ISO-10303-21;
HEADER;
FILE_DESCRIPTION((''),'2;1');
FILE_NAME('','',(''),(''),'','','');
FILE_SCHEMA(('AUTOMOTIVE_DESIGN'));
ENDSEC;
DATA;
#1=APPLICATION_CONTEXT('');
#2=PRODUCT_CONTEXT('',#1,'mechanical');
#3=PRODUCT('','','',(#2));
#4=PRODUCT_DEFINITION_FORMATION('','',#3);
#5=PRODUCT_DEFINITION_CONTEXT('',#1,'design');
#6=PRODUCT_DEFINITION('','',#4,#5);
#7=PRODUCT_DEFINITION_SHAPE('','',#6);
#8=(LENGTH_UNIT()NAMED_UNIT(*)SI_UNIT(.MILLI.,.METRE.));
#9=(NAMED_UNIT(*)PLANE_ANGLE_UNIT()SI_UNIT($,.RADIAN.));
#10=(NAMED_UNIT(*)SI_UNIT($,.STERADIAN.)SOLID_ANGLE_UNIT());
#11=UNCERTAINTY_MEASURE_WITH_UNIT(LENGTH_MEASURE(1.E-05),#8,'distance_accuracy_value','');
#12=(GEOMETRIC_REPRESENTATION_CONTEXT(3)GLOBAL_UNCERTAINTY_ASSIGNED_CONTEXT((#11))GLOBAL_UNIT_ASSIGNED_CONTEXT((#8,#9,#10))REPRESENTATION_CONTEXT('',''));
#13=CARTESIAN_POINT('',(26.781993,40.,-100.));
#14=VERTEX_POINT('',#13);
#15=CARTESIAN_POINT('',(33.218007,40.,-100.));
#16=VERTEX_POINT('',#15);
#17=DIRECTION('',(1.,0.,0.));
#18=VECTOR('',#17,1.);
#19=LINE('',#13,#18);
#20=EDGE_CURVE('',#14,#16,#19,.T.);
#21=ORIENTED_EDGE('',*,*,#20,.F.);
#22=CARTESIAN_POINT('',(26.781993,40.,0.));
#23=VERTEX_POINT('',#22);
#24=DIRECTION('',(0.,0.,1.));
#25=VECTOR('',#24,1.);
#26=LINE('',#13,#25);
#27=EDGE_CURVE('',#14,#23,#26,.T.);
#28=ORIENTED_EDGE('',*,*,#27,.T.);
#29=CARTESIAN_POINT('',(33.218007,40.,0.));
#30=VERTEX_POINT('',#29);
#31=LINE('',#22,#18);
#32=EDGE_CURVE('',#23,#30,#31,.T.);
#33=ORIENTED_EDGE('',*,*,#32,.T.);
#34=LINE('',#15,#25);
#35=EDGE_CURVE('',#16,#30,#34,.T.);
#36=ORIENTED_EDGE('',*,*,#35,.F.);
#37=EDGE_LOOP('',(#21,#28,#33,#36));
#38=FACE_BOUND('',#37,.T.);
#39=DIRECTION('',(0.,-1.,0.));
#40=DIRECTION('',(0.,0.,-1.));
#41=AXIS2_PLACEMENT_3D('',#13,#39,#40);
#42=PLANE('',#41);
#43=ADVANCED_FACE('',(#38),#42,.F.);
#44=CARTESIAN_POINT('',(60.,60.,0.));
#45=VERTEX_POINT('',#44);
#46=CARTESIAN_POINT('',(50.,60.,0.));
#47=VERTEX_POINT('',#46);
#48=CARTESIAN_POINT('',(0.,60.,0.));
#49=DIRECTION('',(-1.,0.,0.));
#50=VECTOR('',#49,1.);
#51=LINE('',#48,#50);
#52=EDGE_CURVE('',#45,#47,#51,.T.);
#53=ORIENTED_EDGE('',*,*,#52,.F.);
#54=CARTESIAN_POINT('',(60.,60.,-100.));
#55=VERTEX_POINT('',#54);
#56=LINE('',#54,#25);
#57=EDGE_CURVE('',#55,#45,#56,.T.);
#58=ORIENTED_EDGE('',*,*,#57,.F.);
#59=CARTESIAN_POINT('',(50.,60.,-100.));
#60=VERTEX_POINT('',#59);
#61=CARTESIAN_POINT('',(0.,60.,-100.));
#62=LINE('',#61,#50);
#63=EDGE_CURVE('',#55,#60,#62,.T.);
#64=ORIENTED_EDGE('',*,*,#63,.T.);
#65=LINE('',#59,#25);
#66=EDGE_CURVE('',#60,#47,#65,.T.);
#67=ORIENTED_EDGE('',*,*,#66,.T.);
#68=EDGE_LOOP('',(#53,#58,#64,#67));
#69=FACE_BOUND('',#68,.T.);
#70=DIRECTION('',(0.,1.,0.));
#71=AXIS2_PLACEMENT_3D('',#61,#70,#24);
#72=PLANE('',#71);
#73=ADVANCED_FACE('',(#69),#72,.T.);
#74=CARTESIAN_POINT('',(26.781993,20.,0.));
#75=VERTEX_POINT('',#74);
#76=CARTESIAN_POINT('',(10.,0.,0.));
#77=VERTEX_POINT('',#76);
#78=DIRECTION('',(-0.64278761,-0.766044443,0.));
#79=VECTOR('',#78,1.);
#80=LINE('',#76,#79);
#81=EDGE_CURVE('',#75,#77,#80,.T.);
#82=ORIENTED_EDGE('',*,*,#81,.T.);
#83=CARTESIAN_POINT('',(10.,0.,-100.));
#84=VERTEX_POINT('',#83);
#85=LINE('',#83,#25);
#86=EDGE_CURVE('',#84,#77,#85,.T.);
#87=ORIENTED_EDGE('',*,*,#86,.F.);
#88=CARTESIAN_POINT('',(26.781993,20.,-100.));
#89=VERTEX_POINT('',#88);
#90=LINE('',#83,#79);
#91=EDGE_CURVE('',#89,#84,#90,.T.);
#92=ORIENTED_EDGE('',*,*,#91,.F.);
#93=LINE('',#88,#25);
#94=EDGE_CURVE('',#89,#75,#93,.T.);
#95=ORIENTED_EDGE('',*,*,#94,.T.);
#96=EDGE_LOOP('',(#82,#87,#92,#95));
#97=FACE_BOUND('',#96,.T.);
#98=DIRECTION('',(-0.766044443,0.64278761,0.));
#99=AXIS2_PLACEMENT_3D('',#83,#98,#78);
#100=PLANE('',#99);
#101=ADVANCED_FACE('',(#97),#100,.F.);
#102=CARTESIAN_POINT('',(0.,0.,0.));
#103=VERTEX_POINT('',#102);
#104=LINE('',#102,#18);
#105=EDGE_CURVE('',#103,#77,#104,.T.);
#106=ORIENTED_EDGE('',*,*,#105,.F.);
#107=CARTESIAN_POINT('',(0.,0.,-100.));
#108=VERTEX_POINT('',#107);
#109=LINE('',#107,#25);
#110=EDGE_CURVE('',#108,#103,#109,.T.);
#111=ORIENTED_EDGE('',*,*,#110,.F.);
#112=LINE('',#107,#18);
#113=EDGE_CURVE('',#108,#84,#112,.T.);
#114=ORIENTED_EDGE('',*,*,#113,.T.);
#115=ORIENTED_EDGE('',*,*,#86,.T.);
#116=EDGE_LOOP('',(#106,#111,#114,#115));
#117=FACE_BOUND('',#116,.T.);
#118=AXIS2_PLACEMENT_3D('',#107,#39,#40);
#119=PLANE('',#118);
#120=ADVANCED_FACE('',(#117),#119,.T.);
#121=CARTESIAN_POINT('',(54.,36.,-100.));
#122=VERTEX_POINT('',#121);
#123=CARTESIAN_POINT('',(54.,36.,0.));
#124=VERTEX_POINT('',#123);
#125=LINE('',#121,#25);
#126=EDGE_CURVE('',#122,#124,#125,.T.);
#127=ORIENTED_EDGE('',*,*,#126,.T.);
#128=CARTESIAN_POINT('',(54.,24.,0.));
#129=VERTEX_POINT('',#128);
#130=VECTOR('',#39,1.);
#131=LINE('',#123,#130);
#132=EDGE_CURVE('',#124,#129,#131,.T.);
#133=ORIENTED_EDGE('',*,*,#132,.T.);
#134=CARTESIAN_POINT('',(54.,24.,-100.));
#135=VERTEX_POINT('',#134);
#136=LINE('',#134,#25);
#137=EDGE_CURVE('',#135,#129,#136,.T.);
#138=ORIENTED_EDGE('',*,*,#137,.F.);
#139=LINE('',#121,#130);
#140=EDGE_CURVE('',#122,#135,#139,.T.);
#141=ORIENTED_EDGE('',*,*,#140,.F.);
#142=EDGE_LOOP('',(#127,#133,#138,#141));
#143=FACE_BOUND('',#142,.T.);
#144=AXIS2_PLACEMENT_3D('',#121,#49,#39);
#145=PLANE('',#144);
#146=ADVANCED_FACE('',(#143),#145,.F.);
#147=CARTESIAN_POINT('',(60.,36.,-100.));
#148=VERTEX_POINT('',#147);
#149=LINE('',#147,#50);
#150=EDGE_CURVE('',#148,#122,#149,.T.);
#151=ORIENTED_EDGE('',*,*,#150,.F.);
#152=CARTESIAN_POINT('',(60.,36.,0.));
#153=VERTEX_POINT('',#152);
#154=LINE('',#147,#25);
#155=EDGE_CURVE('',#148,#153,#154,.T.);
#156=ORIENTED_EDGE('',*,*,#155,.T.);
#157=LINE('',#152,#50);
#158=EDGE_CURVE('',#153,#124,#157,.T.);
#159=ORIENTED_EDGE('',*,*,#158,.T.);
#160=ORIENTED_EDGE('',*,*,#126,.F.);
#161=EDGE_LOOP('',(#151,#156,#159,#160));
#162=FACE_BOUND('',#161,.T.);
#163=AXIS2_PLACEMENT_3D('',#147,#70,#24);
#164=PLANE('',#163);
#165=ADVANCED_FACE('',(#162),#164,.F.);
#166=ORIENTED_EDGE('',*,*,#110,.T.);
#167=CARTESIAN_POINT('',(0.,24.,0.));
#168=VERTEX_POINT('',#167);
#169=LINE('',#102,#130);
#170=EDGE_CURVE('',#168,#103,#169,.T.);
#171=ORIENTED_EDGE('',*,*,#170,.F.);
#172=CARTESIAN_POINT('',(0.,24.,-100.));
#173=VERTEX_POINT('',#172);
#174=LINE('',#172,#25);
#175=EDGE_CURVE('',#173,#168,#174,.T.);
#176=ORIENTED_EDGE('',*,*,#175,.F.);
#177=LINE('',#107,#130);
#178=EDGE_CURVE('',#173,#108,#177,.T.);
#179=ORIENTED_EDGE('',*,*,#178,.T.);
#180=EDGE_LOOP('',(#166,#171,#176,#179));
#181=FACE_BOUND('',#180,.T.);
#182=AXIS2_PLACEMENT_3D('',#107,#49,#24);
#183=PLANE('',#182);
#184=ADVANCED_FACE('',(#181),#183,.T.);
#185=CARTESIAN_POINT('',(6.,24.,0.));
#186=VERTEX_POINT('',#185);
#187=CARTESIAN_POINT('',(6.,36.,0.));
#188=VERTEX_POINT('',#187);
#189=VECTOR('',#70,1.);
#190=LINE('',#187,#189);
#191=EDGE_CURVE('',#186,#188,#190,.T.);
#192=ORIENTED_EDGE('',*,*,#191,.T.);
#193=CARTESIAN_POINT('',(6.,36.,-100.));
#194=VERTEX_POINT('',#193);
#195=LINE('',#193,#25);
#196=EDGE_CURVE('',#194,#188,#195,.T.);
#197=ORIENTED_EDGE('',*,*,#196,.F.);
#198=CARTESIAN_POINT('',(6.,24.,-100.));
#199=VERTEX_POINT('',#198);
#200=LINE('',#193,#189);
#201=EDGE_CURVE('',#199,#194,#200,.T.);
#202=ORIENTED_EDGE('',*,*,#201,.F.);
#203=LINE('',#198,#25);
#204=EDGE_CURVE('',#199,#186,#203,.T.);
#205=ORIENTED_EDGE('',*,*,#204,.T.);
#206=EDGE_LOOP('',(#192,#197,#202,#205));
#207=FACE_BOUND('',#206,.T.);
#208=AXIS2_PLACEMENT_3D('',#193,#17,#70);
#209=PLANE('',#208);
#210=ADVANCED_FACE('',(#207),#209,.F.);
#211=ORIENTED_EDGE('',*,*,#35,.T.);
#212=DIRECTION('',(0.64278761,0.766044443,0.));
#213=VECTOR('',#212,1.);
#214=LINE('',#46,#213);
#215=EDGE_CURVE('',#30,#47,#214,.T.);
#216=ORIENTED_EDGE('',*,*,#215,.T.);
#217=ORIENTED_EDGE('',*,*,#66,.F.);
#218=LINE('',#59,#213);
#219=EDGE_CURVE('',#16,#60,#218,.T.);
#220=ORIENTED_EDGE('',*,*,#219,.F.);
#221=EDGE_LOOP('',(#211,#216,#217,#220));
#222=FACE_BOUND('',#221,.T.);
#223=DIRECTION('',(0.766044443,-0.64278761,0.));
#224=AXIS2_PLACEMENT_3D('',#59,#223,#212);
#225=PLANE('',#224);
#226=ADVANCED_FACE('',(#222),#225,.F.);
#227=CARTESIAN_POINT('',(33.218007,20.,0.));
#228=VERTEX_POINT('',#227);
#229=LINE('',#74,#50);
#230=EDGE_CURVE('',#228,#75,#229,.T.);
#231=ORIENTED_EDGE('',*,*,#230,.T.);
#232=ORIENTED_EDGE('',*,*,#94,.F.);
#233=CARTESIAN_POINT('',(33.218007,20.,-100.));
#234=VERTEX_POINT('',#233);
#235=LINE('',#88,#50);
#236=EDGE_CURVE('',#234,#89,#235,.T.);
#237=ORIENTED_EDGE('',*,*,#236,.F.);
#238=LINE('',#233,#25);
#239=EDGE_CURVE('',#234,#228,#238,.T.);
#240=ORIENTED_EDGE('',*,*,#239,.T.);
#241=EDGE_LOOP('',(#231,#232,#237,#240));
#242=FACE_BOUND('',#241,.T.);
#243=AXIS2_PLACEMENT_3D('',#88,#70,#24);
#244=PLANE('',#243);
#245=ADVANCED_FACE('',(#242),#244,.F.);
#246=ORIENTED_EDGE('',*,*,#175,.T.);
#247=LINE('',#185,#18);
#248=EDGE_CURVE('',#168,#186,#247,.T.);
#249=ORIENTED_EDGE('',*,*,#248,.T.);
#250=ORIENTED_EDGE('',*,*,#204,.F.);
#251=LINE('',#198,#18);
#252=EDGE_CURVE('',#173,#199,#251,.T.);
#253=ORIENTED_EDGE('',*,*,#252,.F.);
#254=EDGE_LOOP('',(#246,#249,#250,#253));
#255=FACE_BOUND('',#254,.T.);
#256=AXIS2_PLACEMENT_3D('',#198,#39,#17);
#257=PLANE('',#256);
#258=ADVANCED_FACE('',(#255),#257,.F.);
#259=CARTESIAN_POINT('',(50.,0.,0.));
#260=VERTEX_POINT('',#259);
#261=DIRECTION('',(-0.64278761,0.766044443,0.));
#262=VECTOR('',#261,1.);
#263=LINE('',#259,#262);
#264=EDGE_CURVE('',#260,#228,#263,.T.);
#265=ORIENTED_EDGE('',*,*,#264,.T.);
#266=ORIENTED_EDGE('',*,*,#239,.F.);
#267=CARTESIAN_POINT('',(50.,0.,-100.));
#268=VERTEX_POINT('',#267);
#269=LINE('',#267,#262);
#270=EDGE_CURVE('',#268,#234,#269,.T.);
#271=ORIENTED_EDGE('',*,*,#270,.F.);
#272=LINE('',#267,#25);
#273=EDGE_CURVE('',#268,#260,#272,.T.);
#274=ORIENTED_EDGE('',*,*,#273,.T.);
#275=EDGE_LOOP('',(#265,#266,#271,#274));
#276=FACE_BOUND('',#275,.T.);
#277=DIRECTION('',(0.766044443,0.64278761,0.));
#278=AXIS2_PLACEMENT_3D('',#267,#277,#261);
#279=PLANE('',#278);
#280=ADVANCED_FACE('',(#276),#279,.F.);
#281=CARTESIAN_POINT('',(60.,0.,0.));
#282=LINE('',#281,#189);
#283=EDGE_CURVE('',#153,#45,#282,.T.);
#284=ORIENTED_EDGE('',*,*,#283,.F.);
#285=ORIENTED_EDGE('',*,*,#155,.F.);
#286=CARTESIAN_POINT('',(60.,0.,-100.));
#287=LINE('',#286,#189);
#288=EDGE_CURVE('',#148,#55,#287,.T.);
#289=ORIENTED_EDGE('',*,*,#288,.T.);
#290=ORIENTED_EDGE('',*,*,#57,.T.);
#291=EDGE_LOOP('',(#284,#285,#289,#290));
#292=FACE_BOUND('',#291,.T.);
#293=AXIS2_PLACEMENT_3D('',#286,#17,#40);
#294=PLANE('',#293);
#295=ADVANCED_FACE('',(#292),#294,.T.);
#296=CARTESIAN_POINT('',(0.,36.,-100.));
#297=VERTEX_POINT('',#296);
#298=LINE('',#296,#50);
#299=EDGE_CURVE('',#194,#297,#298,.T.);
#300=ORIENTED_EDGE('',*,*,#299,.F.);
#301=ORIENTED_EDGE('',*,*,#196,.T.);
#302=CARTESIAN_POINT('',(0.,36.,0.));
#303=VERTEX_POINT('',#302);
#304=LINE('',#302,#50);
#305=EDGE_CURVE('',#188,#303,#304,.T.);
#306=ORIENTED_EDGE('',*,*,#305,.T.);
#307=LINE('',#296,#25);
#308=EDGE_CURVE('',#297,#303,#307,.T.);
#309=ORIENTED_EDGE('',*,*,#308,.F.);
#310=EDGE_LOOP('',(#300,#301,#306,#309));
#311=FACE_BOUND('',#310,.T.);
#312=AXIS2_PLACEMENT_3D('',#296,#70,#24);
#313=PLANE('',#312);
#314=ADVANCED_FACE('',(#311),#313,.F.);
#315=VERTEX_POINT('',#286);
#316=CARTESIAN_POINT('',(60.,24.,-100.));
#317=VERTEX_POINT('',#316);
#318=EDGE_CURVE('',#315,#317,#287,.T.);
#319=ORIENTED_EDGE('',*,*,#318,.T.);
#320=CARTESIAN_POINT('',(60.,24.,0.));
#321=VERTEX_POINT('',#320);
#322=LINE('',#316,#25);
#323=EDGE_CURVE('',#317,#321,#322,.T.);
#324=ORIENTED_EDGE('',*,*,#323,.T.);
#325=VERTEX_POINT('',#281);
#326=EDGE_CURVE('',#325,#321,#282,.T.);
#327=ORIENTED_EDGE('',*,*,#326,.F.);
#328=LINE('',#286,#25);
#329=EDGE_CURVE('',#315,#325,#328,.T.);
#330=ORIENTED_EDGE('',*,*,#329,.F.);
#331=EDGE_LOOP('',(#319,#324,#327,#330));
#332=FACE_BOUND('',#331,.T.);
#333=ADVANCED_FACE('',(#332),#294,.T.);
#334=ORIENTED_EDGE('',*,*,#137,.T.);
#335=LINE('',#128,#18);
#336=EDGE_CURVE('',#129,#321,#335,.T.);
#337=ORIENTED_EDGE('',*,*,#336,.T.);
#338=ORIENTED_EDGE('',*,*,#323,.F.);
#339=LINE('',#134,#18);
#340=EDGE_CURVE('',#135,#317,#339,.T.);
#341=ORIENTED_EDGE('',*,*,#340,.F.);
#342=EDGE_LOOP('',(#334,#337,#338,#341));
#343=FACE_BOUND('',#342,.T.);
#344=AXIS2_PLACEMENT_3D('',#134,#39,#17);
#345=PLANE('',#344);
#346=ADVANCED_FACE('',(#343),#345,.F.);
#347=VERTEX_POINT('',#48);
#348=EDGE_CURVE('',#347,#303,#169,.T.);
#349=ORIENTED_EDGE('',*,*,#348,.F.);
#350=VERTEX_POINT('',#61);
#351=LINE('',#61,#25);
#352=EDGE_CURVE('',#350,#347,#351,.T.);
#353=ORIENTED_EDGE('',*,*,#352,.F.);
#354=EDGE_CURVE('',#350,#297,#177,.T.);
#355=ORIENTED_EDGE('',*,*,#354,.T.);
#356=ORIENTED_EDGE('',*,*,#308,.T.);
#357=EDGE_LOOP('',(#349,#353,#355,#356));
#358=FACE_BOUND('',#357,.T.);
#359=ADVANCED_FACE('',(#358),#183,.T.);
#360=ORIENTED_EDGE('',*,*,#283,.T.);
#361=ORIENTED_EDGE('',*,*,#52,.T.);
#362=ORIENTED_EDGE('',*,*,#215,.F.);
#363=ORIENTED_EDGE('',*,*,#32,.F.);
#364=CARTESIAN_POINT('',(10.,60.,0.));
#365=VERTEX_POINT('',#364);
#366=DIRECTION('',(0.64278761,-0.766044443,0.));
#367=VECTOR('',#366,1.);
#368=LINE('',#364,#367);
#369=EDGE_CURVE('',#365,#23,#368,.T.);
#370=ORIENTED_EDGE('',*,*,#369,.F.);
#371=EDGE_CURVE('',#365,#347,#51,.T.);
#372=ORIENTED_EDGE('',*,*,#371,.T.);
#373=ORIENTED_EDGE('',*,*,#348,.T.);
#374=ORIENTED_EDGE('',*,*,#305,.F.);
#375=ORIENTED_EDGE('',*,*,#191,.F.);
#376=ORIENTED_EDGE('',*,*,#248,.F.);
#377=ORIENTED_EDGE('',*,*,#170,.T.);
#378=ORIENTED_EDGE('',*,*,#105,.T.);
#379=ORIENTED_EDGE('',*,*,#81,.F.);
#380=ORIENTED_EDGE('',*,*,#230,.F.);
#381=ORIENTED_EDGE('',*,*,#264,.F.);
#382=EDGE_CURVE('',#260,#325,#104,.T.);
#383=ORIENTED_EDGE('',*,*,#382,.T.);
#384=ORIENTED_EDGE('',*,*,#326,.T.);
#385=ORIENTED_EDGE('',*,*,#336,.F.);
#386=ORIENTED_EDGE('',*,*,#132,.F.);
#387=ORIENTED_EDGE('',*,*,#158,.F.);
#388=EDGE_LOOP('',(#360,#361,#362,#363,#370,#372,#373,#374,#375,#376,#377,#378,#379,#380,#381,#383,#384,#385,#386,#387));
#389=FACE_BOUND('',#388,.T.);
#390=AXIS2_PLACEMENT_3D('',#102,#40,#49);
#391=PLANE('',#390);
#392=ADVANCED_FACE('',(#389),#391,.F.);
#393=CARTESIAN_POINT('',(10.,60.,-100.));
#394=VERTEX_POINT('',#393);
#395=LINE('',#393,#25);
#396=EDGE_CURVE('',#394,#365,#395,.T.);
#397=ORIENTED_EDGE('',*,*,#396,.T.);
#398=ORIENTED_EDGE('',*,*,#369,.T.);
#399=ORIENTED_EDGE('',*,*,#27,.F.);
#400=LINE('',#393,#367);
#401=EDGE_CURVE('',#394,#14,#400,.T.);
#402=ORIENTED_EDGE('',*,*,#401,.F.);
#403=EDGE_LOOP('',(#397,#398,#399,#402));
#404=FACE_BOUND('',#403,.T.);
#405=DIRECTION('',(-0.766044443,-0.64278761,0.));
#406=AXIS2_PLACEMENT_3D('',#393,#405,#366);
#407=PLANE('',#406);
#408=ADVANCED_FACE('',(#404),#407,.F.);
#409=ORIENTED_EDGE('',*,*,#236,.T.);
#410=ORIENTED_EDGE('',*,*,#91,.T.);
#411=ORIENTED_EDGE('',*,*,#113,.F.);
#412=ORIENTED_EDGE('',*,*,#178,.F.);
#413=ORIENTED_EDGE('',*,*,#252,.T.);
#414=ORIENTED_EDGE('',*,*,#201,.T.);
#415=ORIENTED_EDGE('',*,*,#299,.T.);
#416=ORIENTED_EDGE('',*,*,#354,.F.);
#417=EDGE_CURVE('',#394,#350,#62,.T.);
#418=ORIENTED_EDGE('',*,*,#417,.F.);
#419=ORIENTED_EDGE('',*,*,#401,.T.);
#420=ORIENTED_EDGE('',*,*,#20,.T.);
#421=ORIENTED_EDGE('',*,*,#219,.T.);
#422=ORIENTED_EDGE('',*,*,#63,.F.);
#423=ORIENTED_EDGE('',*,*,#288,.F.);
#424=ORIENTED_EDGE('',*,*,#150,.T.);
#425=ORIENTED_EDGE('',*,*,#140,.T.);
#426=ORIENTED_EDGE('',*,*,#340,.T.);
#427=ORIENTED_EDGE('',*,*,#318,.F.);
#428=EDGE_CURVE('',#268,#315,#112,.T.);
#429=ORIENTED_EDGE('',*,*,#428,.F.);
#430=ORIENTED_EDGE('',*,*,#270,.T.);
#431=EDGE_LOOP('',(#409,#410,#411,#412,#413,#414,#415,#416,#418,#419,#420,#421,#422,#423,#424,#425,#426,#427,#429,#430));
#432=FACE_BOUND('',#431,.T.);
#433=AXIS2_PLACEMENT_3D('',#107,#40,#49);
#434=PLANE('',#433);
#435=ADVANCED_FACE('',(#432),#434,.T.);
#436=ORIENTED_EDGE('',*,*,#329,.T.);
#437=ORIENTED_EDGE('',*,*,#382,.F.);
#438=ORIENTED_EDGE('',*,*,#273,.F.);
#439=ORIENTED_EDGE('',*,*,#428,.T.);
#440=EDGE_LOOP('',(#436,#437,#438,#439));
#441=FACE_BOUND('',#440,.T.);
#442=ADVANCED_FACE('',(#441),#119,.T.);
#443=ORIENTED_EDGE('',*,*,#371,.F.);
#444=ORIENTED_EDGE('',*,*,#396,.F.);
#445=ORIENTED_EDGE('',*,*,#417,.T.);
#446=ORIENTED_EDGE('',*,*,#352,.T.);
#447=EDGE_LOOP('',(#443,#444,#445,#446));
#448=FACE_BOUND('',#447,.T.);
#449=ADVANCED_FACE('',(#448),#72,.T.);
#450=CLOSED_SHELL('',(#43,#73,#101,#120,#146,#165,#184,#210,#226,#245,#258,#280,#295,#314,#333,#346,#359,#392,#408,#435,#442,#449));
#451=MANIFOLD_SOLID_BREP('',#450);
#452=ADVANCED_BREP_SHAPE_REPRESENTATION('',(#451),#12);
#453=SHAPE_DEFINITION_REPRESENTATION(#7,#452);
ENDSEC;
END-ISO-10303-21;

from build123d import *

# Parameters (mm, degrees)
SKETCH1_W           = 60
SKETCH1_H           = 60
BOSS_EXTRUDE1_DEPTH = 100
SKETCH3_W           = 6
SKETCH3_H           = 12
CUT_EXTRUDE2_DEPTH  = 101


with BuildPart() as part:
    # Sketch1 → Boss-Extrude1 (new body)
    with BuildSketch(Plane.XY):
        with Locations((30, 30)):
            Rectangle(SKETCH1_W, SKETCH1_H)
    extrude(amount=-BOSS_EXTRUDE1_DEPTH)

    # Sketch3 → Cut-Extrude2 (cut, through all)
    with BuildSketch(Plane.XY):
        Polygon((26.781992624, 20), (33.218007376, 20), (50, 0), (10, 0), align=None)
        Polygon((26.781992624, 40), (33.218007376, 40), (50, 60), (10, 60), align=None)
        with Locations((57, 30)):
            Rectangle(SKETCH3_W, SKETCH3_H)
        with Locations((3, 30)):
            Rectangle(SKETCH3_W, SKETCH3_H)
    extrude(amount=-CUT_EXTRUDE2_DEPTH, mode=Mode.SUBTRACT)


solid = part.part
